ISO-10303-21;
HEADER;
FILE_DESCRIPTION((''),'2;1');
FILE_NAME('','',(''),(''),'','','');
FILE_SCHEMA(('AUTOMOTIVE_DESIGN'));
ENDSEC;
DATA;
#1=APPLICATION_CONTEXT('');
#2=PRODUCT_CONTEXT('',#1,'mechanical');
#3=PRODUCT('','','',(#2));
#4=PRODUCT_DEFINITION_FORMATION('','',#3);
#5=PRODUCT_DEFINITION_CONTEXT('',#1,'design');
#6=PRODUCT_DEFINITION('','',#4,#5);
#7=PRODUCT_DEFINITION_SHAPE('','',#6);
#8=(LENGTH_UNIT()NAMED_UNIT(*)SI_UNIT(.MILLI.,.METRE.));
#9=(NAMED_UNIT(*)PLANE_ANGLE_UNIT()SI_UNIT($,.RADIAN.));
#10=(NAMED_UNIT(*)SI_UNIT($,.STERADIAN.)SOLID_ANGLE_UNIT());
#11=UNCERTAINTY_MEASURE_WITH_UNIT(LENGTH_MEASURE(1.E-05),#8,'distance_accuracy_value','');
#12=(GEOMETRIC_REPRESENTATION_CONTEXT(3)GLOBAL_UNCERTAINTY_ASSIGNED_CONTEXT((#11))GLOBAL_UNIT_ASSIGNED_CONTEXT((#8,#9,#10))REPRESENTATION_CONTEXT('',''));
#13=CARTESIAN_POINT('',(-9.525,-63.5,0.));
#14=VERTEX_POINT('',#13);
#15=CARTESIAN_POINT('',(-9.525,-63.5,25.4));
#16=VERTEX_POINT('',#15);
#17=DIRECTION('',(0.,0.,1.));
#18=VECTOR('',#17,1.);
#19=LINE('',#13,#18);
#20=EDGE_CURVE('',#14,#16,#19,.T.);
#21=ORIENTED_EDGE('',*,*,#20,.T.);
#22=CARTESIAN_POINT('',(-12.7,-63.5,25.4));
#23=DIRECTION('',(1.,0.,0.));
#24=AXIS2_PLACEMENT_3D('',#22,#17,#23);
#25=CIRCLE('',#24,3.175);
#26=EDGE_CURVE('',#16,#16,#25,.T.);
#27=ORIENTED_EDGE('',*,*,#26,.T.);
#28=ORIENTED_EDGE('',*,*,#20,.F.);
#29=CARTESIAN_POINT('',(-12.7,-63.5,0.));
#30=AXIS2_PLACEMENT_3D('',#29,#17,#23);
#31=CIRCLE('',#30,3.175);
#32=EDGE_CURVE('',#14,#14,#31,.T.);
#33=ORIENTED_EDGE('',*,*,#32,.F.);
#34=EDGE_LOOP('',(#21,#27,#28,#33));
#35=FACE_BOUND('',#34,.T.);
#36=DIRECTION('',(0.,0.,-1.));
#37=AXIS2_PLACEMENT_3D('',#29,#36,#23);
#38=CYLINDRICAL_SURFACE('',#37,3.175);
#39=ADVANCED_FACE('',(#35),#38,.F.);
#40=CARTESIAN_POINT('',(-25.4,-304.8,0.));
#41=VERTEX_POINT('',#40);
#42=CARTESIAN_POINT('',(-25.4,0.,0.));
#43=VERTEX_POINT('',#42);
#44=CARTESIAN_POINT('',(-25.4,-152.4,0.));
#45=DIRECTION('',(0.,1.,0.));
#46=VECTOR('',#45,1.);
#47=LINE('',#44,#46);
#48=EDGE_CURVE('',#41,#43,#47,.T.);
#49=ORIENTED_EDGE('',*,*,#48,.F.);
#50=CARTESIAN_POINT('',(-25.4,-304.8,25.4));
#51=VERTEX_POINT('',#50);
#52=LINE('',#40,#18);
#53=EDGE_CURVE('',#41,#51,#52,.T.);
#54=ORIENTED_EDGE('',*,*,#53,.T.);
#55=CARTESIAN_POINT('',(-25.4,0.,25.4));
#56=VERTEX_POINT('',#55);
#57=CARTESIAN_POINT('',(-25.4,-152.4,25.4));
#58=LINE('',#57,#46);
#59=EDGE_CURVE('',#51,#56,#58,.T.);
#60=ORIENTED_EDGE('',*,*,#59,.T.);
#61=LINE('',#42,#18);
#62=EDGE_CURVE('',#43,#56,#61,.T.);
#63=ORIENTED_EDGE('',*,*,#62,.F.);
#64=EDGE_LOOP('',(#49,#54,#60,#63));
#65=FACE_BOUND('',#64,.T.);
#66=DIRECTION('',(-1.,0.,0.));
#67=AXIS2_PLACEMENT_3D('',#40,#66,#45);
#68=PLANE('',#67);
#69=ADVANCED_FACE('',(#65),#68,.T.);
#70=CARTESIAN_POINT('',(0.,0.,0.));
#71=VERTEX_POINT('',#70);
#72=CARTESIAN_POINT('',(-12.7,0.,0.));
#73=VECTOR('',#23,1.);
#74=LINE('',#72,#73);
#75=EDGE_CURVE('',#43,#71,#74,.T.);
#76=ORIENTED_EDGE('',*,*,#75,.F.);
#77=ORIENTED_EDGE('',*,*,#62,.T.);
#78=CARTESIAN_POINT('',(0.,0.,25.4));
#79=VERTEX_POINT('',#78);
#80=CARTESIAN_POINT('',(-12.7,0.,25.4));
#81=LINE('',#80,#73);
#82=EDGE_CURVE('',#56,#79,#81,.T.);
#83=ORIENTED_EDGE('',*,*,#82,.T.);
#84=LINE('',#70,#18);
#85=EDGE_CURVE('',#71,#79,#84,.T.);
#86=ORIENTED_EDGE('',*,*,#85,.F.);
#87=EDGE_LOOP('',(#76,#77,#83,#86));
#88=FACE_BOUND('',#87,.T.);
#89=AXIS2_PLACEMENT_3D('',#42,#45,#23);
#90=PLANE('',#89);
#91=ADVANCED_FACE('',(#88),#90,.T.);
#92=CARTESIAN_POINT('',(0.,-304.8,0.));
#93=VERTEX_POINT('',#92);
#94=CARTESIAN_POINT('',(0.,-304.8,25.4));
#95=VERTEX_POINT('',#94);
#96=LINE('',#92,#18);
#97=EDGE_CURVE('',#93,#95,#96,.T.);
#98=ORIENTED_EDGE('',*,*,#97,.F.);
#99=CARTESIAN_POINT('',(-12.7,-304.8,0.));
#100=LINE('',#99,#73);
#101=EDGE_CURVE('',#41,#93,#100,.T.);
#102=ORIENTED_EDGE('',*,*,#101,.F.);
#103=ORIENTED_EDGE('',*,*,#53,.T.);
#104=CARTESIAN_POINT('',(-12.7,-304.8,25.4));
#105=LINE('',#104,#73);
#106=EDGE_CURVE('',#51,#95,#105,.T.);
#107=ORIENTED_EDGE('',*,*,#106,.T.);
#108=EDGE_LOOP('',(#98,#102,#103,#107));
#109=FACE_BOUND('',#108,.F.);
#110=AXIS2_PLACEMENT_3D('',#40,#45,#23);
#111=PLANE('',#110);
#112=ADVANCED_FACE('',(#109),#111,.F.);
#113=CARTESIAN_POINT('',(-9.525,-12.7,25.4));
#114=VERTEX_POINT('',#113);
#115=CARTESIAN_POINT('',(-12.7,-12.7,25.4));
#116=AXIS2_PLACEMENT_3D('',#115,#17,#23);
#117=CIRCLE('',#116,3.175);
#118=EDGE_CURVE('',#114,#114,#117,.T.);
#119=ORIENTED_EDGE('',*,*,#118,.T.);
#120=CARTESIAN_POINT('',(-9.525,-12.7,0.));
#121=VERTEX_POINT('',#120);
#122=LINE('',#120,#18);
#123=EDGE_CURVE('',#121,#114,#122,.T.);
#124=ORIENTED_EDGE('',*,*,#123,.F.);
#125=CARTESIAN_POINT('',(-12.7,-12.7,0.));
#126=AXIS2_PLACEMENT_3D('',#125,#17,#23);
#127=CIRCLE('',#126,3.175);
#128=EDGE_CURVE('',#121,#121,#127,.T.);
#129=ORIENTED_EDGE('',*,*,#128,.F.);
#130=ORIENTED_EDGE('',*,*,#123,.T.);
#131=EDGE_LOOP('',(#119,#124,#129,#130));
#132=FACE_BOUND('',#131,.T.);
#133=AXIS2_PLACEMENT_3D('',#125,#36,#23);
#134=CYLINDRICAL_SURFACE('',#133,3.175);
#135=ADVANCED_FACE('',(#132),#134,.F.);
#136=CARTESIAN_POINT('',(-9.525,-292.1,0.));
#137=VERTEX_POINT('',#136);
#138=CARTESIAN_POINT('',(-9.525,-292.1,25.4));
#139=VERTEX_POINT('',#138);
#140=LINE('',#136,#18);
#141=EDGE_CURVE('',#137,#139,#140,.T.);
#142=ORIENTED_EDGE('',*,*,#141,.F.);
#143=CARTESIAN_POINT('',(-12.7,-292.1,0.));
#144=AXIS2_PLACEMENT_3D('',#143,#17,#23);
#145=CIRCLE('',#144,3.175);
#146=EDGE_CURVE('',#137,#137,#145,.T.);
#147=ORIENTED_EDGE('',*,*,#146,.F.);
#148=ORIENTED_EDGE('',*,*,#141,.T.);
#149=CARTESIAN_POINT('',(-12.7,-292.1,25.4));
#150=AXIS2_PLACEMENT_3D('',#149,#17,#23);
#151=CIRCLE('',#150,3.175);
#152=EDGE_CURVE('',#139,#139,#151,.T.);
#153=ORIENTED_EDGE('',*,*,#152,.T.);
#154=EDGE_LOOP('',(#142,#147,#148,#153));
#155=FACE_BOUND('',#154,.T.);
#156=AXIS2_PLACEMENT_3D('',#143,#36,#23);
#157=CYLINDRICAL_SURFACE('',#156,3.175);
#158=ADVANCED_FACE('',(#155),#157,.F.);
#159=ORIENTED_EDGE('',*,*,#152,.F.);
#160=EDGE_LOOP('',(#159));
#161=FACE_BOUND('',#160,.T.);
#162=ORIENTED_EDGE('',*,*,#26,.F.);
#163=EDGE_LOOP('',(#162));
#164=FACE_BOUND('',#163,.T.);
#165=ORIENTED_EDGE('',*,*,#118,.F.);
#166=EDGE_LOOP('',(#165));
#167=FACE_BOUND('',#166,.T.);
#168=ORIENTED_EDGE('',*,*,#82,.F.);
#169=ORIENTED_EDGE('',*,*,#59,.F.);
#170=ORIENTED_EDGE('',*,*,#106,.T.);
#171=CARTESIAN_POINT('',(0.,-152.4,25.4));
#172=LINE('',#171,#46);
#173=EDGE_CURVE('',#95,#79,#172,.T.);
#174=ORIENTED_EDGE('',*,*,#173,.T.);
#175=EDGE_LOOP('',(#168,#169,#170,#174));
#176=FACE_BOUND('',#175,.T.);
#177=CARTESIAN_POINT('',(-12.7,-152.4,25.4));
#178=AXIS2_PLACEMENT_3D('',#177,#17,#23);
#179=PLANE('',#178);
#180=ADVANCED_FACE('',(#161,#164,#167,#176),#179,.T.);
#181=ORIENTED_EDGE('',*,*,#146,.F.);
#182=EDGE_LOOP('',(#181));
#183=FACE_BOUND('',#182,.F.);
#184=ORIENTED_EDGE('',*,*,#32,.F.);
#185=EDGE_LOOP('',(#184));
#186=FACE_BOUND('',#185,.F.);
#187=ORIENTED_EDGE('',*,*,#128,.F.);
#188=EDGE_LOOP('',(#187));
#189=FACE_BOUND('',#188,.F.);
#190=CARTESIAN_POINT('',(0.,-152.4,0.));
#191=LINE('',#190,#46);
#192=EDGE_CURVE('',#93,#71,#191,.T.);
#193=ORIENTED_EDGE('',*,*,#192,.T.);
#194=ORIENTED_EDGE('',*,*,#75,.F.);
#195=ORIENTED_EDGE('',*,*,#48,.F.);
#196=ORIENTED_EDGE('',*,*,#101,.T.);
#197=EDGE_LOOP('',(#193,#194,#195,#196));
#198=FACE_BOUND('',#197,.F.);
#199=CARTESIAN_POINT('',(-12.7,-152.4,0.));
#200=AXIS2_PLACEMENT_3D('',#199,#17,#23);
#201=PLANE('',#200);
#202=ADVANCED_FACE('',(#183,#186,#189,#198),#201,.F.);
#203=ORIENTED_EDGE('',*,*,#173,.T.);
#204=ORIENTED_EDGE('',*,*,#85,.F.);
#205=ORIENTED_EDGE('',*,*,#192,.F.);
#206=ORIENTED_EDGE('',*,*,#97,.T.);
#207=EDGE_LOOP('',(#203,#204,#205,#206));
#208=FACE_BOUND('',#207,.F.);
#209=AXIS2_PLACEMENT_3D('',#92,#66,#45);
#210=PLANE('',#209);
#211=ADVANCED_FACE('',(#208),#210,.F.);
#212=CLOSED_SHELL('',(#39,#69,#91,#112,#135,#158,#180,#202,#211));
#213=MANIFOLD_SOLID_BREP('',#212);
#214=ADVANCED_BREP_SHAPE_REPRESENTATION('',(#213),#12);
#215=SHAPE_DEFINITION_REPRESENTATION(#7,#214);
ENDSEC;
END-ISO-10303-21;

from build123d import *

# Parameters (mm, degrees)
F0_W     = 25.4
F0_H     = 304.8
F0_R     = 3.175
F1_DEPTH = 25.4


with BuildPart() as f1:
    # F0 (on Top) → F1 (new body)
    with BuildSketch(Plane.XY):
        with Locations((-12.7, -152.4)):
            Rectangle(F0_W, F0_H)
        with Locations((-12.7, -292.1)):
            Circle(F0_R, mode=Mode.SUBTRACT)
        with Locations((-12.7, -63.5)):
            Circle(F0_R, mode=Mode.SUBTRACT)
        with Locations((-12.7, -12.7)):
            Circle(F0_R, mode=Mode.SUBTRACT)
    extrude(amount=F1_DEPTH)


solid = f1.part
